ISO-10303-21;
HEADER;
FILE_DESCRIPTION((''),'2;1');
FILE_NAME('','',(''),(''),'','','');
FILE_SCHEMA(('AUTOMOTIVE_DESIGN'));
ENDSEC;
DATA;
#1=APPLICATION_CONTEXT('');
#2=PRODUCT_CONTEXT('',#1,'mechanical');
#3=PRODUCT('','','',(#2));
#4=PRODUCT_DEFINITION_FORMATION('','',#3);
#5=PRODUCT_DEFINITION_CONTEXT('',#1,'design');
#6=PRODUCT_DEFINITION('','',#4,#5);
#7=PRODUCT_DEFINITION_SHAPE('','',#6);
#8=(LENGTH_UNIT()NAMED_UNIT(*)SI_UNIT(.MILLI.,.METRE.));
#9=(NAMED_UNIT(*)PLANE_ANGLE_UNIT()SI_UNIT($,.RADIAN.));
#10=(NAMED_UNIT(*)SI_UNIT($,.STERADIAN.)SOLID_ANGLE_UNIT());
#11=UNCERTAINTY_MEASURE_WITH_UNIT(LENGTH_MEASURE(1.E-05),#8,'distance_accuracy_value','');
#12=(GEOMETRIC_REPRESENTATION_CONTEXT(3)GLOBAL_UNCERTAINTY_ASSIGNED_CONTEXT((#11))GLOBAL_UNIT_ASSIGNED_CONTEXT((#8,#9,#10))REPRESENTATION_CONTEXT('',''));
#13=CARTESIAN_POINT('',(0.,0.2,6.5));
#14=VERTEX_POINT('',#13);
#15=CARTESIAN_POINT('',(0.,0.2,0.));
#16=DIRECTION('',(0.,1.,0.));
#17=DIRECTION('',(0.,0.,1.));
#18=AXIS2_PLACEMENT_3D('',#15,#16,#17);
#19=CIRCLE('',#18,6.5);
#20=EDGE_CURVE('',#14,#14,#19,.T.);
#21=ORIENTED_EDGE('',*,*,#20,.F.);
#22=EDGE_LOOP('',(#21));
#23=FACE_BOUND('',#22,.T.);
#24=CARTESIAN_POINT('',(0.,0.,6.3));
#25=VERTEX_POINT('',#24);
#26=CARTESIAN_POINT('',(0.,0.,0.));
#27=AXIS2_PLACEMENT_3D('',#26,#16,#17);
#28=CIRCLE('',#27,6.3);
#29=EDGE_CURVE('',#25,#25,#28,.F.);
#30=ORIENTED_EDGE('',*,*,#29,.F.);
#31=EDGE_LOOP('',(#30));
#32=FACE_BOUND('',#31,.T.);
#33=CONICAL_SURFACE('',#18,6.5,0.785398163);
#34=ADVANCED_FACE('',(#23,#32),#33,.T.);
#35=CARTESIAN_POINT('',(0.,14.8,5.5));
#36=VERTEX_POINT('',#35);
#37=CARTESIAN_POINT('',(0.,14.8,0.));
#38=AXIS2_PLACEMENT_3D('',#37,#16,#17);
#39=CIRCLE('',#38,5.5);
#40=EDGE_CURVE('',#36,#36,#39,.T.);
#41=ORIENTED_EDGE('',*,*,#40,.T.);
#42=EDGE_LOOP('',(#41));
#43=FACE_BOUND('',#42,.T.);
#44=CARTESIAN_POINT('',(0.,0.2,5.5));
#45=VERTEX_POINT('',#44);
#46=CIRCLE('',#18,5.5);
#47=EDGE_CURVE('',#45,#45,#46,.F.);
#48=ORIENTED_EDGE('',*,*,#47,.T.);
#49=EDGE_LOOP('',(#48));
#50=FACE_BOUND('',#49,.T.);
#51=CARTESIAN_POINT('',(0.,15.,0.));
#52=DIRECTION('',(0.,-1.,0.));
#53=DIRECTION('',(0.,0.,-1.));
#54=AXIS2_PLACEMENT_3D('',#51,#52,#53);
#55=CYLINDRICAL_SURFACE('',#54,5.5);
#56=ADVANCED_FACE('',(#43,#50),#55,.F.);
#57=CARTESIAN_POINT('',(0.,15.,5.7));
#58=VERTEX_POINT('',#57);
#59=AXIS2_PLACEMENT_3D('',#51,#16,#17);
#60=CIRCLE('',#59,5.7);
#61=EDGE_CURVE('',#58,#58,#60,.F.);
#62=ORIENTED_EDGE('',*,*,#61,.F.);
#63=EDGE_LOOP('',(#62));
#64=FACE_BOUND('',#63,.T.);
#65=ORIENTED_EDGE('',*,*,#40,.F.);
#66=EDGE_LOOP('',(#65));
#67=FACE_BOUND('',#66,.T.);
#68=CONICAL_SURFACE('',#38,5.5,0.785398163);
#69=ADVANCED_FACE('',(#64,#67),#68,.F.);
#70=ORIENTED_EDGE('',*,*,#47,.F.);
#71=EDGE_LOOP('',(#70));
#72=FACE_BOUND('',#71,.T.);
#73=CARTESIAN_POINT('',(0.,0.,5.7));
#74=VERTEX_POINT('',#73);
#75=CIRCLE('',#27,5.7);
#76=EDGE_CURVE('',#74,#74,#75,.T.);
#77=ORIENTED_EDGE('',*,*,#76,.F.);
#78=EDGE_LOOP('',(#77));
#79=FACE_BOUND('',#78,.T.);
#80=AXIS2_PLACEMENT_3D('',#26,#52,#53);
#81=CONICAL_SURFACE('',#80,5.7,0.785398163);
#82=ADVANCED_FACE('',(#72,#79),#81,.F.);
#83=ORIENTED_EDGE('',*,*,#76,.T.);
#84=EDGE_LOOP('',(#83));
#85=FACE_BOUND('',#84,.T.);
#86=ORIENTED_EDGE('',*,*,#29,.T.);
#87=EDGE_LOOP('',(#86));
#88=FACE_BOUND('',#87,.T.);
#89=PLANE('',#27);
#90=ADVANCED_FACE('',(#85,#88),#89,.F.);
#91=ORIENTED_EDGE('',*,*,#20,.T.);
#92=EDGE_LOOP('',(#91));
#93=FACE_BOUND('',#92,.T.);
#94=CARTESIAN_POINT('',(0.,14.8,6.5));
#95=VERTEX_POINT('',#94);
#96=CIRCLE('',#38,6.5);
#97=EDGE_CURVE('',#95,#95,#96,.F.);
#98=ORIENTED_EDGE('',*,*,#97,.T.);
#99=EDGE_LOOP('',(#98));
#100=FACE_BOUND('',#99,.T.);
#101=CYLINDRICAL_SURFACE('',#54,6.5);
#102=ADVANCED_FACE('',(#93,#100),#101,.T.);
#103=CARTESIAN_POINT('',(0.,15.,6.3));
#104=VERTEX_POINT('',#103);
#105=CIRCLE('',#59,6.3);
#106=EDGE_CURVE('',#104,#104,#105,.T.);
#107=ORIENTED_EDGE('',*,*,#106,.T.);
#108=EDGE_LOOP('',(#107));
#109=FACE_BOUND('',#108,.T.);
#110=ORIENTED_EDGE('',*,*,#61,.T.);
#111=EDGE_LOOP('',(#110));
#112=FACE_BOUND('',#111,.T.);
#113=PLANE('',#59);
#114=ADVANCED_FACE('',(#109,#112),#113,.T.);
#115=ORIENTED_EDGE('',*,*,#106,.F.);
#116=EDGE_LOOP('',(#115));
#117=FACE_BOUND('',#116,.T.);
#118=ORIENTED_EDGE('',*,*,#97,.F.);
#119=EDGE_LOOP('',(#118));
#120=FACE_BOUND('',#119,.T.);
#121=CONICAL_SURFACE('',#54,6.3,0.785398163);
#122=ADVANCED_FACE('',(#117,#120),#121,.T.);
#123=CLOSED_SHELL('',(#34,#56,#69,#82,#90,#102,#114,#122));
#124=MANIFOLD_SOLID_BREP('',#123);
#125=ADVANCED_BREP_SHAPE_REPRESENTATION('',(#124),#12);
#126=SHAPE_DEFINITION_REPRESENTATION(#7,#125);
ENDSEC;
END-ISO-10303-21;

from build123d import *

# Parameters (mm, degrees)
SKETCH1_R           = 6.5
SKETCH1_R_2         = 5.5
BOSS_EXTRUDE1_DEPTH = 15
CHAMFER1_SIZE       = 0.2


with BuildPart() as part:
    # Sketch1 → Boss-Extrude1 (new body)
    with BuildSketch(Plane(origin=(0, 0, 0), x_dir=(1, 0, 0), z_dir=(0, 1, 0))):
        Circle(SKETCH1_R)
        Circle(SKETCH1_R_2, mode=Mode.SUBTRACT)
    extrude(amount=BOSS_EXTRUDE1_DEPTH)

    # Chamfer1
    chamfer1_edges = [part.edges().sort_by_distance(p)[0] for p in [
        (-6.5, 15, 0),
        (-6.5, 0, 0),
        (-5.5, 0, 0),
        (-5.5, 15, 0),
    ]]
    chamfer(chamfer1_edges, length=CHAMFER1_SIZE)


solid = part.part
